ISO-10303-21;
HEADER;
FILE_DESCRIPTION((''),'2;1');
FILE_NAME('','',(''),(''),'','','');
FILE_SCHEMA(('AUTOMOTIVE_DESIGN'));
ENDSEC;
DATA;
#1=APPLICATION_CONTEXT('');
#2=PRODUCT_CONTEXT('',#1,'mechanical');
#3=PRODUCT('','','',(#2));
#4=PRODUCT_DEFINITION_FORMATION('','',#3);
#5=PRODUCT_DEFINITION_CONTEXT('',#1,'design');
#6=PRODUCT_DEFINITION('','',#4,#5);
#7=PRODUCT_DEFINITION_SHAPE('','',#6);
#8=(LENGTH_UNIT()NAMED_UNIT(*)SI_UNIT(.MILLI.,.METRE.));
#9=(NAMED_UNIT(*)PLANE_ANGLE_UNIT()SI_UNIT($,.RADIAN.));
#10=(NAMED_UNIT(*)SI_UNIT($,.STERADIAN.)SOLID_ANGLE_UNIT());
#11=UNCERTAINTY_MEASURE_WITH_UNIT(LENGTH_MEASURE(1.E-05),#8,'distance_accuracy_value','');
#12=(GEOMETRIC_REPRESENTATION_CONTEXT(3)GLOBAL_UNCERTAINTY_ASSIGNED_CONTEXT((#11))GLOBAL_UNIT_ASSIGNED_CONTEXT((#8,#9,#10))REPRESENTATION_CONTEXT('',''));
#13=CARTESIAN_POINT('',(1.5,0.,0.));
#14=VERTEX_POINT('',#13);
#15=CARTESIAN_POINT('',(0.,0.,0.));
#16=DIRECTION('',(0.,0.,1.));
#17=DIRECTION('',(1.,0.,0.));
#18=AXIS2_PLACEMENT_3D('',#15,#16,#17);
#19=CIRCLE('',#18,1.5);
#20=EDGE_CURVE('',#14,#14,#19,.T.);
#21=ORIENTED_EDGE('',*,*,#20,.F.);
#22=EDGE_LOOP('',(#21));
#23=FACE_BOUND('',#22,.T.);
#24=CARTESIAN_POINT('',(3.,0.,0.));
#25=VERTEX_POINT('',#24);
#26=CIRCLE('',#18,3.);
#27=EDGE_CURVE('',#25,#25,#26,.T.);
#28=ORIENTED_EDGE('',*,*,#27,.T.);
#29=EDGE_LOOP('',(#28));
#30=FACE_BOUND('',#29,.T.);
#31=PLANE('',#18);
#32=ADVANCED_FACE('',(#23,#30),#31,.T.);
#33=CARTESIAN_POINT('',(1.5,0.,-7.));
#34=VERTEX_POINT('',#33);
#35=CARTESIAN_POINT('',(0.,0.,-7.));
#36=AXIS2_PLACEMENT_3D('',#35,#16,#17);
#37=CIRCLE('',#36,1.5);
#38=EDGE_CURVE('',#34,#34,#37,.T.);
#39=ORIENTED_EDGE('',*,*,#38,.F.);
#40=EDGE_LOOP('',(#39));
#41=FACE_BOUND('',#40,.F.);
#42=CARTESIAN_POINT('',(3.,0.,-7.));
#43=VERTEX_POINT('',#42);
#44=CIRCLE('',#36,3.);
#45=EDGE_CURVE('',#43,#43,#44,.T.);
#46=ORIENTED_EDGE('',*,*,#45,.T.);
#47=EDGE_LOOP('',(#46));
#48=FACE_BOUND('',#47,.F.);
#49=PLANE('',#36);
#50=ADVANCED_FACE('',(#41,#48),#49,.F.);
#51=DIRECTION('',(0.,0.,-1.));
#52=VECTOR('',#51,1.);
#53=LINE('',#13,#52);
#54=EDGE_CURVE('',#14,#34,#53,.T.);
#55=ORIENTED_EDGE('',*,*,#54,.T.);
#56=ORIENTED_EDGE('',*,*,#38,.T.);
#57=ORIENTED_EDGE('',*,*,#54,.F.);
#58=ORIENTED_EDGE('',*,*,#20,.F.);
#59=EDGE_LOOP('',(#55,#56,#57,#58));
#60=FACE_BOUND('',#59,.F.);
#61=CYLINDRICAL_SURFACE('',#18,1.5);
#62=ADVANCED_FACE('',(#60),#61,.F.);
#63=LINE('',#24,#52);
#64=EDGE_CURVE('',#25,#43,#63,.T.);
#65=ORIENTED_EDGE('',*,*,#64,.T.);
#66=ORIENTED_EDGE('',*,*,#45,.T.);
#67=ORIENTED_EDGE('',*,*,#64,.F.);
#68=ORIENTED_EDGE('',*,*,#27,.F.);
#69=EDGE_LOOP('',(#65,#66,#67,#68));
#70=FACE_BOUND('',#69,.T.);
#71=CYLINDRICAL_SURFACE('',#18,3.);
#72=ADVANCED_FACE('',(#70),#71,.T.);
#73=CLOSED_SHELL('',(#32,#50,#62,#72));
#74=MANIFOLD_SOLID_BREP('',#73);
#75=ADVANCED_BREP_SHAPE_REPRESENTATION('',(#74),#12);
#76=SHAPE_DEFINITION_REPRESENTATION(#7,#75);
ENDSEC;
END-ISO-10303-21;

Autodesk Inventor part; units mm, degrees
ref_plane "YZ Plane" through (0, 0, 0) normal (1, 0, 0) x (0, 1, 0)
ref_plane "XZ Plane" through (0, 0, 0) normal (0, 1, 0) x (-1, 0, 0)
ref_plane "XY Plane" through (0, 0, 0) normal (0, 0, 1) x (1, 0, 0)
sketch "スケッチ1" plane through (0, 0, 0) normal (0, 0, 1) x (1, 0, 0)
  circle A0 centre (0, 0) radius 3
  circle A1 centre (0, 0) radius 1.5
  dimension "d0" = 6
  dimension "d1" = 3
extrude "押し出し1" add sketch "スケッチ1" against normal blind 7
properties part number "PEAKスペーサーm3中空-7" material "PAEK 樹脂"
